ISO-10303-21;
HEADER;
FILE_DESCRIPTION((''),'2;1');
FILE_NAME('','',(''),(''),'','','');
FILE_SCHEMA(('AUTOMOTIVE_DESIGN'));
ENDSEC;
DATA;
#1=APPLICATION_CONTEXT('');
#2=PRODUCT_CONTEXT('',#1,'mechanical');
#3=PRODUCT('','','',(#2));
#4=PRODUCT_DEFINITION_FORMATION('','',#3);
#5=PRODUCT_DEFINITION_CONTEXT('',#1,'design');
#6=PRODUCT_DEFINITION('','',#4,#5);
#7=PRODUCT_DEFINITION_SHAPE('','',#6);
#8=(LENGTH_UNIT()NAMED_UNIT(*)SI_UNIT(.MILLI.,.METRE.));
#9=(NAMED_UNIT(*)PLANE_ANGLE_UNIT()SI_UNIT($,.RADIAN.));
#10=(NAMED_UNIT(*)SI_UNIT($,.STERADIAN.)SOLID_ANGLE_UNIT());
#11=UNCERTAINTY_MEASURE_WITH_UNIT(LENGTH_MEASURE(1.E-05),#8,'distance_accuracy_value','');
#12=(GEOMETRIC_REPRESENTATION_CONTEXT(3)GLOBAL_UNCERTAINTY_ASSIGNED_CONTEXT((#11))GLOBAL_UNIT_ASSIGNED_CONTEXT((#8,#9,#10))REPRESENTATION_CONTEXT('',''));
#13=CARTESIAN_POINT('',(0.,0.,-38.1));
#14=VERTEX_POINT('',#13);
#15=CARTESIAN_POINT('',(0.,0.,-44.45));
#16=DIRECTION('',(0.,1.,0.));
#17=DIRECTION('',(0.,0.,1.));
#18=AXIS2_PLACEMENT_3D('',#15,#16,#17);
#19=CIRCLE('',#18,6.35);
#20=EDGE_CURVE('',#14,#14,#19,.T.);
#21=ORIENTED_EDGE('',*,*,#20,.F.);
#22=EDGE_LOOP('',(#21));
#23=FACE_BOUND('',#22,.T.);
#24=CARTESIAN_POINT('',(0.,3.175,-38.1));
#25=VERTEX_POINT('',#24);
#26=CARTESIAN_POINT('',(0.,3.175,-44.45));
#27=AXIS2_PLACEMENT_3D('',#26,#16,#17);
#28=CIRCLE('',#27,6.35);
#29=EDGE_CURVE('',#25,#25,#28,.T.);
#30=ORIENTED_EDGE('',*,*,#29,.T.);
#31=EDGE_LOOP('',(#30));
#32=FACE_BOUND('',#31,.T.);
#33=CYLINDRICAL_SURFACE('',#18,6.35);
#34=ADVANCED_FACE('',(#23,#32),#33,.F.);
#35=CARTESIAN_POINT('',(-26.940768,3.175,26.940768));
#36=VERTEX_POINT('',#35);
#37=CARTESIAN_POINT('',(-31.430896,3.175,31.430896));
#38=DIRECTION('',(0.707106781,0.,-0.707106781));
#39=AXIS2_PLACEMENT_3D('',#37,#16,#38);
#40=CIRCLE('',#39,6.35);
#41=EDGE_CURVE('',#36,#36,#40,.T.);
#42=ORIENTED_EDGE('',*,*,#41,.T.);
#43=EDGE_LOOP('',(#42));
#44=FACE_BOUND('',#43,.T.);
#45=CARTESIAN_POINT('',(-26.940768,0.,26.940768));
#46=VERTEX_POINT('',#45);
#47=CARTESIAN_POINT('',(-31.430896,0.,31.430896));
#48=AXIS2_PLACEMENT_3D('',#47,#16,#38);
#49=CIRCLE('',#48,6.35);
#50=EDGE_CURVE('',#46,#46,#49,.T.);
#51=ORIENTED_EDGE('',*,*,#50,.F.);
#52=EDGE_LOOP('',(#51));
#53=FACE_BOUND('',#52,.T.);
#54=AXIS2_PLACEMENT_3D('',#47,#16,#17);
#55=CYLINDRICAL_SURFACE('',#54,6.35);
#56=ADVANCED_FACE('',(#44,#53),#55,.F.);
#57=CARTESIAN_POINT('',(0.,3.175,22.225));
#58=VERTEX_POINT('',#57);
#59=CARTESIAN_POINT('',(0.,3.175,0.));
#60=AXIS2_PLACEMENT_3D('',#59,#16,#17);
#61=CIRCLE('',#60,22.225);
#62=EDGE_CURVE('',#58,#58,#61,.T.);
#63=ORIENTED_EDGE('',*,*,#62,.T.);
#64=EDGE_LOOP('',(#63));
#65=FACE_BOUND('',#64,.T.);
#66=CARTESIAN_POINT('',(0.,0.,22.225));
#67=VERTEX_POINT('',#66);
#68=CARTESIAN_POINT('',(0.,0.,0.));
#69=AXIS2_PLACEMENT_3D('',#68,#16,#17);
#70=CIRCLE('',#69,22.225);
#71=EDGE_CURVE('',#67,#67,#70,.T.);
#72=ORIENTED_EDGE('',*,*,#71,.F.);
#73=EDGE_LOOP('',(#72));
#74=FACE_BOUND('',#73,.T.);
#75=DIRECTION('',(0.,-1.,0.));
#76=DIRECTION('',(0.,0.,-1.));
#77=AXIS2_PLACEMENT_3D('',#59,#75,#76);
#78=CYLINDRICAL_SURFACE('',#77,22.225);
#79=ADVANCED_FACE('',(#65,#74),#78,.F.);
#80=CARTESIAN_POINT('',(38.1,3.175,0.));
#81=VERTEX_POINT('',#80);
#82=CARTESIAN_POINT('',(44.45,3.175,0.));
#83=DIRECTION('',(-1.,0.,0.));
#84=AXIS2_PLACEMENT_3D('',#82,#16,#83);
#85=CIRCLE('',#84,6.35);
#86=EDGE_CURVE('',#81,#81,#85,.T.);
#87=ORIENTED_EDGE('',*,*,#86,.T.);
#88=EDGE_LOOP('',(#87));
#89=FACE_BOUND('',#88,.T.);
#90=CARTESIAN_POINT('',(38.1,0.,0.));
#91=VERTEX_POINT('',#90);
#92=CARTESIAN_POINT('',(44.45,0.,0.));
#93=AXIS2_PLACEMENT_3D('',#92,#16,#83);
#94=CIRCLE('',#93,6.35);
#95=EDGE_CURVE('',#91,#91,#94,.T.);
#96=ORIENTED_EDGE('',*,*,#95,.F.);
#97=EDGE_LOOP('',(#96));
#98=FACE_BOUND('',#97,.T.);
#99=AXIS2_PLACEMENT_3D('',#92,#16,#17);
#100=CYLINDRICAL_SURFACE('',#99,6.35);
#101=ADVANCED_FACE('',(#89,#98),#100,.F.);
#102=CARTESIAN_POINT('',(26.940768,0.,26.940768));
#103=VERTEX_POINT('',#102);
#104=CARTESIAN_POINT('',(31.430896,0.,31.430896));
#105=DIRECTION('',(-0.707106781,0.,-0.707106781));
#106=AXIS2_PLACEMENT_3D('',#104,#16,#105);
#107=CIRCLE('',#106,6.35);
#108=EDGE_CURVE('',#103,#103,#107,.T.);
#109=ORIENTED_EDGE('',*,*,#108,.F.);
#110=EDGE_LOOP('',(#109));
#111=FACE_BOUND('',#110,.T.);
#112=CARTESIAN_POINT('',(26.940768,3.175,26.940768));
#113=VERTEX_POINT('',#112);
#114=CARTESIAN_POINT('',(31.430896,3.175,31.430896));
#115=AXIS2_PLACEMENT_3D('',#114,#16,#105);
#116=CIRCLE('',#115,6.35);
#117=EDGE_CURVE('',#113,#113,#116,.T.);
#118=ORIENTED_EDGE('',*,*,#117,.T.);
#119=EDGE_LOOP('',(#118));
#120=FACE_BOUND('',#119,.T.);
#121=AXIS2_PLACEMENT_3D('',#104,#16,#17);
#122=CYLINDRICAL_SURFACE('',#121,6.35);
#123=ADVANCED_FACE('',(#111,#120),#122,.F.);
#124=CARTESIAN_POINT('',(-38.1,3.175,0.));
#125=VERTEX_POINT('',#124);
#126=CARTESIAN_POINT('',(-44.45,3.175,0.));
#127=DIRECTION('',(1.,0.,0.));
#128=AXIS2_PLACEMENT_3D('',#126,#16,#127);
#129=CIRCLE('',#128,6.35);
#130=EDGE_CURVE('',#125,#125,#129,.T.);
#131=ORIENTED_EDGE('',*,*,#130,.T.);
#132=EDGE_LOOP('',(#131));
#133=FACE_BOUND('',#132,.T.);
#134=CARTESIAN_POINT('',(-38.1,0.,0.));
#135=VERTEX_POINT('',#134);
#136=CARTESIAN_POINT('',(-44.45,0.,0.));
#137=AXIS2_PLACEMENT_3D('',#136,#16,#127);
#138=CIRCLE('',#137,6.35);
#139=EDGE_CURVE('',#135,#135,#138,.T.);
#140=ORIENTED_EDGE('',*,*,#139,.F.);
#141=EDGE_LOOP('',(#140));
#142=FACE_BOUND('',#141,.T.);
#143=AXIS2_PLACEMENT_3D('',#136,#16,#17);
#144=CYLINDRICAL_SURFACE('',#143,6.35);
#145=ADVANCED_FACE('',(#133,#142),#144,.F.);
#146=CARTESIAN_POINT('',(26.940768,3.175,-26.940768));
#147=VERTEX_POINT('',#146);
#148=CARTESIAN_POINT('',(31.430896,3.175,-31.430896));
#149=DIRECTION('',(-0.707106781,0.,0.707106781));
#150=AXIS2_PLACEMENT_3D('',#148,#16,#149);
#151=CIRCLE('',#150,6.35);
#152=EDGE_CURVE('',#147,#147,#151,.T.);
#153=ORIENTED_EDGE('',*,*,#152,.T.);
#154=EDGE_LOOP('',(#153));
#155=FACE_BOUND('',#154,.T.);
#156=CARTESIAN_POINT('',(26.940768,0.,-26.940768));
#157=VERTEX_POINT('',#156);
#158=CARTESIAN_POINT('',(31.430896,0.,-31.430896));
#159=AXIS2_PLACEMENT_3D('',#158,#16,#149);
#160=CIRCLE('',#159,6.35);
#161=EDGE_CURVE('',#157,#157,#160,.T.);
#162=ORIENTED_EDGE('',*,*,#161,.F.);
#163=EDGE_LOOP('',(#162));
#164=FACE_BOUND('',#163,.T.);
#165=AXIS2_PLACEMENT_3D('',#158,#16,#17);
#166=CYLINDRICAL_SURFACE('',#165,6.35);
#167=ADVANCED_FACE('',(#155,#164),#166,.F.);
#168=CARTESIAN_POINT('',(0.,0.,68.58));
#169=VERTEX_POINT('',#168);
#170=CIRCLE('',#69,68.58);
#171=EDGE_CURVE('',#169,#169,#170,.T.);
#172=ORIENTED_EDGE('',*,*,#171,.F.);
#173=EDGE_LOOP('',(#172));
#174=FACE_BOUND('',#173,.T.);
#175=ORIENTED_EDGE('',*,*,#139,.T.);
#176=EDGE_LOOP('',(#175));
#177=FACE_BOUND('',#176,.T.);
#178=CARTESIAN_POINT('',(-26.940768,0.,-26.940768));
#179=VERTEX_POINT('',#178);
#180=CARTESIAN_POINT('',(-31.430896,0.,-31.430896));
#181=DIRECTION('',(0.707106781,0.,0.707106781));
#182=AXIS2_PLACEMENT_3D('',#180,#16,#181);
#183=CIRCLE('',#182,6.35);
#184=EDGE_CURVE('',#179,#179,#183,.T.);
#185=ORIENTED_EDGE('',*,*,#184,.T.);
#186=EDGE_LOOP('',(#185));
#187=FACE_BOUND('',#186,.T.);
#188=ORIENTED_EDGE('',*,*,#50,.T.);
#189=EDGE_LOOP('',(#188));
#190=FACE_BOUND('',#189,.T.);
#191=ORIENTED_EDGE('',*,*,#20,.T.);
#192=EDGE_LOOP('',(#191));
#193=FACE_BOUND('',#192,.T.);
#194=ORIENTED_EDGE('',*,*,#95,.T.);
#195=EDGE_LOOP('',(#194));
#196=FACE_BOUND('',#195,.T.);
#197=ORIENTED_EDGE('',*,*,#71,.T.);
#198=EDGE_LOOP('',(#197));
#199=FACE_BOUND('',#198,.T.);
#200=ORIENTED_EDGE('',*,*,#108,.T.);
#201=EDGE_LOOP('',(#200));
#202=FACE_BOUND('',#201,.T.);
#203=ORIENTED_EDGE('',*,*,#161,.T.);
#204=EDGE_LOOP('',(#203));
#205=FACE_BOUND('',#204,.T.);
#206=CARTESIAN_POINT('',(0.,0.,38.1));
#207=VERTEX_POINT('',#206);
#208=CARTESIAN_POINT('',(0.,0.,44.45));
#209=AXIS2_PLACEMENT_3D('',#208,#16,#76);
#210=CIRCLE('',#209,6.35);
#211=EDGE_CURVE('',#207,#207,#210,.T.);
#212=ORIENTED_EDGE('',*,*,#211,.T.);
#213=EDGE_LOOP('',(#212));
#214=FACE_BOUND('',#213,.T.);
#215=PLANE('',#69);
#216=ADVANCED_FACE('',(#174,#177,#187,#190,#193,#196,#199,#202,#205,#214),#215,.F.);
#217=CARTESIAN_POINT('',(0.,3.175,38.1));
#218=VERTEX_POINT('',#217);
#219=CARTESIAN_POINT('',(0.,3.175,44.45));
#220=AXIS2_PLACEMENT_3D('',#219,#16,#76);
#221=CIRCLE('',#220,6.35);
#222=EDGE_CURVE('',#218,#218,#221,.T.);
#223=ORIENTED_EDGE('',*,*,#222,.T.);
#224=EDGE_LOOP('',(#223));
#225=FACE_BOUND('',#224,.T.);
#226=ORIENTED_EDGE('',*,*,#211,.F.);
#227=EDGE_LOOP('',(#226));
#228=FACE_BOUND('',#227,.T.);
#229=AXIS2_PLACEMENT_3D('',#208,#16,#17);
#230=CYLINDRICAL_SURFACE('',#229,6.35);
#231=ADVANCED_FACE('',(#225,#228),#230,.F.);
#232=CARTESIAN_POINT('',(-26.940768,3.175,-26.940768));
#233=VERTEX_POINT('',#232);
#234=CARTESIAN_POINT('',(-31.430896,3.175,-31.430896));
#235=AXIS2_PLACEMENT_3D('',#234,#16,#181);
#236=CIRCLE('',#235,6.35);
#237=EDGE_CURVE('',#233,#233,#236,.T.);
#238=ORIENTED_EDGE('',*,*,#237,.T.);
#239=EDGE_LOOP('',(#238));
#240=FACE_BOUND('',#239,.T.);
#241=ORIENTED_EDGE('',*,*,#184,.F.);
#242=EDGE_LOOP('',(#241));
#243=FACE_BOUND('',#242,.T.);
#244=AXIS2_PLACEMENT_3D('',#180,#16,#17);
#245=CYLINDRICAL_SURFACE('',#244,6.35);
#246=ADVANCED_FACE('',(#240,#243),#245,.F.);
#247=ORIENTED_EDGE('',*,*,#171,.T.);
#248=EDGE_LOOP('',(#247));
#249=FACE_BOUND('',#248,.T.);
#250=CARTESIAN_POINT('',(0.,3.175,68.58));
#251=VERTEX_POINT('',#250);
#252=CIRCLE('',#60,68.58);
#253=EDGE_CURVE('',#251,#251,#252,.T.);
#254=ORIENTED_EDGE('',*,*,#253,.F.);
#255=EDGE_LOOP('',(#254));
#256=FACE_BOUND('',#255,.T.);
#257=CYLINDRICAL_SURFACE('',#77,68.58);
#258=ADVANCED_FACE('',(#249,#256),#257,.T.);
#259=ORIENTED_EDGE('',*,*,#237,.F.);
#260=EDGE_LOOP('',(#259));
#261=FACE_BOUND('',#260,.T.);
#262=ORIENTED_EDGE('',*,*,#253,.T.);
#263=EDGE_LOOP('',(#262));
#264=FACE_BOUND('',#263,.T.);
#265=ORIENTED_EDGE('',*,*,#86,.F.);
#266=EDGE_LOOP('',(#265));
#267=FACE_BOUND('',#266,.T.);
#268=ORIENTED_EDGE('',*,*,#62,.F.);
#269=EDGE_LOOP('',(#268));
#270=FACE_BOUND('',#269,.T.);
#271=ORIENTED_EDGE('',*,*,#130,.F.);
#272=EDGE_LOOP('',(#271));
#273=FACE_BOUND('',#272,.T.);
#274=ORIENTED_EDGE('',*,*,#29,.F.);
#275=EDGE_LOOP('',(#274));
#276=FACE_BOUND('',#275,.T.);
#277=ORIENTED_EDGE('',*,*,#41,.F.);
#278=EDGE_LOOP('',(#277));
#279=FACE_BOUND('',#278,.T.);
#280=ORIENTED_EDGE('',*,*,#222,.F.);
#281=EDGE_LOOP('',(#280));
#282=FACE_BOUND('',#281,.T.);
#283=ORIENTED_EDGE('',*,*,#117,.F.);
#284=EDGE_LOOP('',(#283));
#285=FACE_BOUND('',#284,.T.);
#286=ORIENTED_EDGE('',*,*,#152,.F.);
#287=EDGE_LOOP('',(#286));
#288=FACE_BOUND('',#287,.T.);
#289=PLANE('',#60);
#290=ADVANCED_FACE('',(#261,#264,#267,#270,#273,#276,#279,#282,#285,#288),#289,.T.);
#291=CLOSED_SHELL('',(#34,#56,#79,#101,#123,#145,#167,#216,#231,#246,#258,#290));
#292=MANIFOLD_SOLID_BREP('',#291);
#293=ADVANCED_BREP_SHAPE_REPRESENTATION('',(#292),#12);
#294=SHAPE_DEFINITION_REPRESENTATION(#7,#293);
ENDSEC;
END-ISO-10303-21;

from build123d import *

# Parameters (mm, degrees)
SKETCH1_R           = 68.58
SKETCH1_R_2         = 22.225
BOSS_EXTRUDE1_DEPTH = 3.175
SKETCH2_R           = 6.35
CUT_EXTRUDE1_DEPTH  = 3.175
CIRPATTERN1_COUNT   = 8


with BuildPart() as part:
    # Sketch1 → Boss-Extrude1 (new body)
    with BuildSketch(Plane(origin=(0, 0, 0), x_dir=(1, 0, 0), z_dir=(0, 1, 0))):
        Circle(SKETCH1_R)
        Circle(SKETCH1_R_2, mode=Mode.SUBTRACT)
    extrude(amount=BOSS_EXTRUDE1_DEPTH)

    # Sketch2 → Cut-Extrude1 (cut)
    with BuildSketch(Plane(origin=(0, 3.175, 0), x_dir=(1, 0, 0), z_dir=(0, 1, 0))):
        with Locations((0, 44.45)):
            Circle(SKETCH2_R)
    cut_extrude1 = extrude(amount=-CUT_EXTRUDE1_DEPTH, mode=Mode.SUBTRACT)

    # CirPattern1: Cut-Extrude1 ×8 about axis
    cirpattern1_axis = Axis((0, 0, 0), (0, 1, 0))
    for i in range(1, CIRPATTERN1_COUNT):
        add(cut_extrude1.rotate(cirpattern1_axis, i * 360 / CIRPATTERN1_COUNT), mode=Mode.SUBTRACT)


solid = part.part
